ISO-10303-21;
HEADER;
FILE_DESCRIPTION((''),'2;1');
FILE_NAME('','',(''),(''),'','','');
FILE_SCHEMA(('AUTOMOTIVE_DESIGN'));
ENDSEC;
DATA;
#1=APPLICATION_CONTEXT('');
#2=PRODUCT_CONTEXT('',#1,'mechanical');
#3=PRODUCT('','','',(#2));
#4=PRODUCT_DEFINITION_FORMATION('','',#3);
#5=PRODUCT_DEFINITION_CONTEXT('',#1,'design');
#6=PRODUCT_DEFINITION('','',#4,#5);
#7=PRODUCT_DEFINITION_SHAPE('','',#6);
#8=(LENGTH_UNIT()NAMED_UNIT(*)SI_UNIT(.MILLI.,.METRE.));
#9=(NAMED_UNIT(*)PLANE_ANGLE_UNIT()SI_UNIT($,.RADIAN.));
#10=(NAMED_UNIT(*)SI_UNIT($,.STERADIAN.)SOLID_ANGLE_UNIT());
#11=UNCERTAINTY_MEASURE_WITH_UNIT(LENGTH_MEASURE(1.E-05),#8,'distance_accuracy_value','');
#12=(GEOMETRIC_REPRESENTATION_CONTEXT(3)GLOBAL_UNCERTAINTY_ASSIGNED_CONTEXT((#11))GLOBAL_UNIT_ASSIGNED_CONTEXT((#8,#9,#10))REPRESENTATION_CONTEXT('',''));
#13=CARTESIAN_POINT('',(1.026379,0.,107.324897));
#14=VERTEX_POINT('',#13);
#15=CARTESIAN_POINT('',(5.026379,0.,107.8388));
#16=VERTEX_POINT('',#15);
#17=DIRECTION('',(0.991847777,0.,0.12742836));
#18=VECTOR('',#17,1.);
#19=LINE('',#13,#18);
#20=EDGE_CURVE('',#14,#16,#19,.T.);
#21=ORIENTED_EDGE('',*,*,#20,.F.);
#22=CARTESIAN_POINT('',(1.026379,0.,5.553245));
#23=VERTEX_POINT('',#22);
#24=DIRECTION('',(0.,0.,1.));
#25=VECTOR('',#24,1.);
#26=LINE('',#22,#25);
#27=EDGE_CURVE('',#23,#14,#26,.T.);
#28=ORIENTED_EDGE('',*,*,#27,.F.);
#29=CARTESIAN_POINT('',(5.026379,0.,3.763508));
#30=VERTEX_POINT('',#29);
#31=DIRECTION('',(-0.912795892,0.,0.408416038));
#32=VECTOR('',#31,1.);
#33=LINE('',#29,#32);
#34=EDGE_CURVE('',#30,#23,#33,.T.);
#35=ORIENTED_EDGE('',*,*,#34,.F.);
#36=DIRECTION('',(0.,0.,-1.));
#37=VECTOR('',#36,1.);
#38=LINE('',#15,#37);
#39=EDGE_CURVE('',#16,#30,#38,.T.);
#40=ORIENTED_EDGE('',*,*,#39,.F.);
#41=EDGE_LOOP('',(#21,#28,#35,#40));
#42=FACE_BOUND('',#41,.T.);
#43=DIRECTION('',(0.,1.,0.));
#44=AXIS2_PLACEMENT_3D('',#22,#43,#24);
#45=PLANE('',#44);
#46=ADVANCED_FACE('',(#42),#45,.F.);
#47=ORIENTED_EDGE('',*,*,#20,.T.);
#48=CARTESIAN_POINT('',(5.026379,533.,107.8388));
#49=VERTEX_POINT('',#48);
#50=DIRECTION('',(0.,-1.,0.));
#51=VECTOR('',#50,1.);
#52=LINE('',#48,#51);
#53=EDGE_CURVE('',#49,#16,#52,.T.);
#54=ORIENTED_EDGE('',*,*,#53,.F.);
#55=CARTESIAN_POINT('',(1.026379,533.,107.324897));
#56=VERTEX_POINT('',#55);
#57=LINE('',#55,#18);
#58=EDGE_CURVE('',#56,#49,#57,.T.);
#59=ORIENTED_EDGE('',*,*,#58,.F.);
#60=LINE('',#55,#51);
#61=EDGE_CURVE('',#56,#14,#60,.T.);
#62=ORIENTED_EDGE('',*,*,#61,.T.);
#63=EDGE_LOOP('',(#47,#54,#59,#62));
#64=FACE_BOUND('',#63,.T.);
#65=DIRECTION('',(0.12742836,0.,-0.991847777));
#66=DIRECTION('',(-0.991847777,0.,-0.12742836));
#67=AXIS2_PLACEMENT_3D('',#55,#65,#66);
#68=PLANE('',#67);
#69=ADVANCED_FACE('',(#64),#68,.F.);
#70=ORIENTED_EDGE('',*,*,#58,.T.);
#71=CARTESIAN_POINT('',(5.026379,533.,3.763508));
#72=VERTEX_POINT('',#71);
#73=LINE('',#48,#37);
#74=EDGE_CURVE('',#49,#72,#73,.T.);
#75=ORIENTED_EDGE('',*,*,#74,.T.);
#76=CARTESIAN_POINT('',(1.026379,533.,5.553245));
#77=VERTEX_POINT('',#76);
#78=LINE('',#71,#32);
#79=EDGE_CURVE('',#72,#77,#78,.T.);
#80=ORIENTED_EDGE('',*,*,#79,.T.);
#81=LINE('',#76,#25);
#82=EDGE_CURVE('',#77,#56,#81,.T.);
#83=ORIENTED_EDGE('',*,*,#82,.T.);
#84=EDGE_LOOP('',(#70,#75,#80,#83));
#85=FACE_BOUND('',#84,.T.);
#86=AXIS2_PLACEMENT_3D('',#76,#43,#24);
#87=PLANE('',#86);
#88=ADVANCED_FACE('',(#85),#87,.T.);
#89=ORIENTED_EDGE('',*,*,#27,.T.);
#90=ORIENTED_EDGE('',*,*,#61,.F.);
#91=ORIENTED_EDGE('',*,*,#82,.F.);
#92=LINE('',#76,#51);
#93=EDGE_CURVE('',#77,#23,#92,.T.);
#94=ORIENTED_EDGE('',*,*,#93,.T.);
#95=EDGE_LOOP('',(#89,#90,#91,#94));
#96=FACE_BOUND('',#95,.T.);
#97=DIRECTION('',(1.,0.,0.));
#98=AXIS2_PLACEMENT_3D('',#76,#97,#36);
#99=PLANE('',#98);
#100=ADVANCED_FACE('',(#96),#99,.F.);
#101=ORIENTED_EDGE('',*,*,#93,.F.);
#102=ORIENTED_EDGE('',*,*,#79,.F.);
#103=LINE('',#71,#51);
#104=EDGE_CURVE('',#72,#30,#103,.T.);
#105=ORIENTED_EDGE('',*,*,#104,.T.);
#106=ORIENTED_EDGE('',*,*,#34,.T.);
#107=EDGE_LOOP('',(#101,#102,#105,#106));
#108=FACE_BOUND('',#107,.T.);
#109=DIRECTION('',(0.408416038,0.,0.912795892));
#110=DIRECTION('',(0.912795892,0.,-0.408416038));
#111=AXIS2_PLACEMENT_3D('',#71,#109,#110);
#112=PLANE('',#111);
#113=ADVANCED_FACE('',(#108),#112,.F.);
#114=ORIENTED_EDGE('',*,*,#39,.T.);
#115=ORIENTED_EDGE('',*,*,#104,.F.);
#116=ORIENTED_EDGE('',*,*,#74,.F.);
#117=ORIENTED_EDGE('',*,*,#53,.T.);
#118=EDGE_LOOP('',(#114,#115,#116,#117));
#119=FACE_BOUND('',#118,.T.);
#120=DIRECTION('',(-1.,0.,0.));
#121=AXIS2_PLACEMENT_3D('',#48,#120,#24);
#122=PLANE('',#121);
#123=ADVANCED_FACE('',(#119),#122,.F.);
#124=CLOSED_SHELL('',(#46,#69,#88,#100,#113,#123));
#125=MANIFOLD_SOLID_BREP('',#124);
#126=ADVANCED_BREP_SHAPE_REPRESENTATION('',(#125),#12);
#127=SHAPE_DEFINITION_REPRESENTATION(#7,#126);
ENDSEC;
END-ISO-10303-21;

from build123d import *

# Parameters (mm, degrees)
EXTRUDE_1_DEPTH = 533


with BuildPart() as part:
    # Эскиз1 → Вытянуть1 (new body)
    with BuildSketch(Plane(origin=(0, 0, 0), x_dir=(1, 0, 0), z_dir=(0, 1, 0))):
        Polygon((1.026379046, -5.553244715), (1.026379046, -107.324896908), (5.026379046, -107.838799799), (5.026379046, -3.763508183), align=None)
    extrude(amount=EXTRUDE_1_DEPTH)


solid = part.part
